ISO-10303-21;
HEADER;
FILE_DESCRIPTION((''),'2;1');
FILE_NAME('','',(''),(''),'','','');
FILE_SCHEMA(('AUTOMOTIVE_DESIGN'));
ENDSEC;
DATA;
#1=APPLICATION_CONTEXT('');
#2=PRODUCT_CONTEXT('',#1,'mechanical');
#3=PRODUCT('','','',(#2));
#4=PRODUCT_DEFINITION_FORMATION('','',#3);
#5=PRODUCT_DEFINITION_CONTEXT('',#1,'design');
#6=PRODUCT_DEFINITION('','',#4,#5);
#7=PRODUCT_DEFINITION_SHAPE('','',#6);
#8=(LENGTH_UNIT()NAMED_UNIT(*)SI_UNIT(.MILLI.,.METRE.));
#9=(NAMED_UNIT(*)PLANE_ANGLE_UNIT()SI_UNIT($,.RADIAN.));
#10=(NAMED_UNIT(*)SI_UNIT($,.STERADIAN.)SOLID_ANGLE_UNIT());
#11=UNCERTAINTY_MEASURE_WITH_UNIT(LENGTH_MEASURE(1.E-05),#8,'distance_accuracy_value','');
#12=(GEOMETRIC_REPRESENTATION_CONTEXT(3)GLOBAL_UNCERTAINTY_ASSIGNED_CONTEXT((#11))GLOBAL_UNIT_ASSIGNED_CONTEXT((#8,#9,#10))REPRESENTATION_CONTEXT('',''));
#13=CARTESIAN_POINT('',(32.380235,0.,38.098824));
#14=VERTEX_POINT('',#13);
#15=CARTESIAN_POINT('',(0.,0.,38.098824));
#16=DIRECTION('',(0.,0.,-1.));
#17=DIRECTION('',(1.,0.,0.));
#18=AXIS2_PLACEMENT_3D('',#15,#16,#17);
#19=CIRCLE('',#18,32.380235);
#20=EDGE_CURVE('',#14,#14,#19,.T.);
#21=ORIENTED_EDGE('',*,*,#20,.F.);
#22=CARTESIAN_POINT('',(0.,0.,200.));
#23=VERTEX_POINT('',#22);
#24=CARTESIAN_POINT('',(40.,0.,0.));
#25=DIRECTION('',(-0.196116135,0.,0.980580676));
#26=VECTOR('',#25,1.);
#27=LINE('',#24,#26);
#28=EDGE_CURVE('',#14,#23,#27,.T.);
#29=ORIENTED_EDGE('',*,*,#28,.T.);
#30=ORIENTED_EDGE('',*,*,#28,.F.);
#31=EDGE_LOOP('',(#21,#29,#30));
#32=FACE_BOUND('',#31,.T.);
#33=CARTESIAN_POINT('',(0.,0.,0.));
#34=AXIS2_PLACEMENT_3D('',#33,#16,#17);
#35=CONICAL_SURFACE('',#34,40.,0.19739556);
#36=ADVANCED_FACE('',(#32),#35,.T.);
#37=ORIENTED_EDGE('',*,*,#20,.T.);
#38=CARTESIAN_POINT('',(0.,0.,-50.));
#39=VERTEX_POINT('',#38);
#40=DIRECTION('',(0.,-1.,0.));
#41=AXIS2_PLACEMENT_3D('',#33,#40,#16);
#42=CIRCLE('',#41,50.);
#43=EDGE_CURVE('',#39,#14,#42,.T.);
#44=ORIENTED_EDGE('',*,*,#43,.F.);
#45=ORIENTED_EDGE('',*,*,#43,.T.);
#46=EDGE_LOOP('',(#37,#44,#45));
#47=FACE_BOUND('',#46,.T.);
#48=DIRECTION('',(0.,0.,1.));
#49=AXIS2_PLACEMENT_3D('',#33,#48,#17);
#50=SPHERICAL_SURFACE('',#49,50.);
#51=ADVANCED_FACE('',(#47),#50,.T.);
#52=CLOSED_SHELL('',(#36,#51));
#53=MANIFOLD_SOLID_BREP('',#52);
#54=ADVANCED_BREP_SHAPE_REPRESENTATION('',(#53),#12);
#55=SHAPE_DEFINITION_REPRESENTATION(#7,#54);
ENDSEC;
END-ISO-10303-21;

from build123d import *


with BuildPart() as cone:
    # Cone → Cone (revolve)
    with BuildSketch(Plane.XZ):
        Polygon((0, 0), (40, 0), (0, 200), align=None)
    revolve(axis=Axis((0, 0, 0), (0, 0, 1)))


with BuildPart() as fusion:
    # Sphere001 → Sphere001 (revolve)
    with BuildSketch(Plane.XZ):
        with BuildLine():
            ThreePointArc((0, -50), (50, 0), (0, 50))
            Line((0, 50), (0, -50))
        make_face()
    revolve(axis=Axis((0, 0, 0), (0, 0, 1)))

    # Fusion: union Cone
    add(cone.part)


solid = fusion.part
